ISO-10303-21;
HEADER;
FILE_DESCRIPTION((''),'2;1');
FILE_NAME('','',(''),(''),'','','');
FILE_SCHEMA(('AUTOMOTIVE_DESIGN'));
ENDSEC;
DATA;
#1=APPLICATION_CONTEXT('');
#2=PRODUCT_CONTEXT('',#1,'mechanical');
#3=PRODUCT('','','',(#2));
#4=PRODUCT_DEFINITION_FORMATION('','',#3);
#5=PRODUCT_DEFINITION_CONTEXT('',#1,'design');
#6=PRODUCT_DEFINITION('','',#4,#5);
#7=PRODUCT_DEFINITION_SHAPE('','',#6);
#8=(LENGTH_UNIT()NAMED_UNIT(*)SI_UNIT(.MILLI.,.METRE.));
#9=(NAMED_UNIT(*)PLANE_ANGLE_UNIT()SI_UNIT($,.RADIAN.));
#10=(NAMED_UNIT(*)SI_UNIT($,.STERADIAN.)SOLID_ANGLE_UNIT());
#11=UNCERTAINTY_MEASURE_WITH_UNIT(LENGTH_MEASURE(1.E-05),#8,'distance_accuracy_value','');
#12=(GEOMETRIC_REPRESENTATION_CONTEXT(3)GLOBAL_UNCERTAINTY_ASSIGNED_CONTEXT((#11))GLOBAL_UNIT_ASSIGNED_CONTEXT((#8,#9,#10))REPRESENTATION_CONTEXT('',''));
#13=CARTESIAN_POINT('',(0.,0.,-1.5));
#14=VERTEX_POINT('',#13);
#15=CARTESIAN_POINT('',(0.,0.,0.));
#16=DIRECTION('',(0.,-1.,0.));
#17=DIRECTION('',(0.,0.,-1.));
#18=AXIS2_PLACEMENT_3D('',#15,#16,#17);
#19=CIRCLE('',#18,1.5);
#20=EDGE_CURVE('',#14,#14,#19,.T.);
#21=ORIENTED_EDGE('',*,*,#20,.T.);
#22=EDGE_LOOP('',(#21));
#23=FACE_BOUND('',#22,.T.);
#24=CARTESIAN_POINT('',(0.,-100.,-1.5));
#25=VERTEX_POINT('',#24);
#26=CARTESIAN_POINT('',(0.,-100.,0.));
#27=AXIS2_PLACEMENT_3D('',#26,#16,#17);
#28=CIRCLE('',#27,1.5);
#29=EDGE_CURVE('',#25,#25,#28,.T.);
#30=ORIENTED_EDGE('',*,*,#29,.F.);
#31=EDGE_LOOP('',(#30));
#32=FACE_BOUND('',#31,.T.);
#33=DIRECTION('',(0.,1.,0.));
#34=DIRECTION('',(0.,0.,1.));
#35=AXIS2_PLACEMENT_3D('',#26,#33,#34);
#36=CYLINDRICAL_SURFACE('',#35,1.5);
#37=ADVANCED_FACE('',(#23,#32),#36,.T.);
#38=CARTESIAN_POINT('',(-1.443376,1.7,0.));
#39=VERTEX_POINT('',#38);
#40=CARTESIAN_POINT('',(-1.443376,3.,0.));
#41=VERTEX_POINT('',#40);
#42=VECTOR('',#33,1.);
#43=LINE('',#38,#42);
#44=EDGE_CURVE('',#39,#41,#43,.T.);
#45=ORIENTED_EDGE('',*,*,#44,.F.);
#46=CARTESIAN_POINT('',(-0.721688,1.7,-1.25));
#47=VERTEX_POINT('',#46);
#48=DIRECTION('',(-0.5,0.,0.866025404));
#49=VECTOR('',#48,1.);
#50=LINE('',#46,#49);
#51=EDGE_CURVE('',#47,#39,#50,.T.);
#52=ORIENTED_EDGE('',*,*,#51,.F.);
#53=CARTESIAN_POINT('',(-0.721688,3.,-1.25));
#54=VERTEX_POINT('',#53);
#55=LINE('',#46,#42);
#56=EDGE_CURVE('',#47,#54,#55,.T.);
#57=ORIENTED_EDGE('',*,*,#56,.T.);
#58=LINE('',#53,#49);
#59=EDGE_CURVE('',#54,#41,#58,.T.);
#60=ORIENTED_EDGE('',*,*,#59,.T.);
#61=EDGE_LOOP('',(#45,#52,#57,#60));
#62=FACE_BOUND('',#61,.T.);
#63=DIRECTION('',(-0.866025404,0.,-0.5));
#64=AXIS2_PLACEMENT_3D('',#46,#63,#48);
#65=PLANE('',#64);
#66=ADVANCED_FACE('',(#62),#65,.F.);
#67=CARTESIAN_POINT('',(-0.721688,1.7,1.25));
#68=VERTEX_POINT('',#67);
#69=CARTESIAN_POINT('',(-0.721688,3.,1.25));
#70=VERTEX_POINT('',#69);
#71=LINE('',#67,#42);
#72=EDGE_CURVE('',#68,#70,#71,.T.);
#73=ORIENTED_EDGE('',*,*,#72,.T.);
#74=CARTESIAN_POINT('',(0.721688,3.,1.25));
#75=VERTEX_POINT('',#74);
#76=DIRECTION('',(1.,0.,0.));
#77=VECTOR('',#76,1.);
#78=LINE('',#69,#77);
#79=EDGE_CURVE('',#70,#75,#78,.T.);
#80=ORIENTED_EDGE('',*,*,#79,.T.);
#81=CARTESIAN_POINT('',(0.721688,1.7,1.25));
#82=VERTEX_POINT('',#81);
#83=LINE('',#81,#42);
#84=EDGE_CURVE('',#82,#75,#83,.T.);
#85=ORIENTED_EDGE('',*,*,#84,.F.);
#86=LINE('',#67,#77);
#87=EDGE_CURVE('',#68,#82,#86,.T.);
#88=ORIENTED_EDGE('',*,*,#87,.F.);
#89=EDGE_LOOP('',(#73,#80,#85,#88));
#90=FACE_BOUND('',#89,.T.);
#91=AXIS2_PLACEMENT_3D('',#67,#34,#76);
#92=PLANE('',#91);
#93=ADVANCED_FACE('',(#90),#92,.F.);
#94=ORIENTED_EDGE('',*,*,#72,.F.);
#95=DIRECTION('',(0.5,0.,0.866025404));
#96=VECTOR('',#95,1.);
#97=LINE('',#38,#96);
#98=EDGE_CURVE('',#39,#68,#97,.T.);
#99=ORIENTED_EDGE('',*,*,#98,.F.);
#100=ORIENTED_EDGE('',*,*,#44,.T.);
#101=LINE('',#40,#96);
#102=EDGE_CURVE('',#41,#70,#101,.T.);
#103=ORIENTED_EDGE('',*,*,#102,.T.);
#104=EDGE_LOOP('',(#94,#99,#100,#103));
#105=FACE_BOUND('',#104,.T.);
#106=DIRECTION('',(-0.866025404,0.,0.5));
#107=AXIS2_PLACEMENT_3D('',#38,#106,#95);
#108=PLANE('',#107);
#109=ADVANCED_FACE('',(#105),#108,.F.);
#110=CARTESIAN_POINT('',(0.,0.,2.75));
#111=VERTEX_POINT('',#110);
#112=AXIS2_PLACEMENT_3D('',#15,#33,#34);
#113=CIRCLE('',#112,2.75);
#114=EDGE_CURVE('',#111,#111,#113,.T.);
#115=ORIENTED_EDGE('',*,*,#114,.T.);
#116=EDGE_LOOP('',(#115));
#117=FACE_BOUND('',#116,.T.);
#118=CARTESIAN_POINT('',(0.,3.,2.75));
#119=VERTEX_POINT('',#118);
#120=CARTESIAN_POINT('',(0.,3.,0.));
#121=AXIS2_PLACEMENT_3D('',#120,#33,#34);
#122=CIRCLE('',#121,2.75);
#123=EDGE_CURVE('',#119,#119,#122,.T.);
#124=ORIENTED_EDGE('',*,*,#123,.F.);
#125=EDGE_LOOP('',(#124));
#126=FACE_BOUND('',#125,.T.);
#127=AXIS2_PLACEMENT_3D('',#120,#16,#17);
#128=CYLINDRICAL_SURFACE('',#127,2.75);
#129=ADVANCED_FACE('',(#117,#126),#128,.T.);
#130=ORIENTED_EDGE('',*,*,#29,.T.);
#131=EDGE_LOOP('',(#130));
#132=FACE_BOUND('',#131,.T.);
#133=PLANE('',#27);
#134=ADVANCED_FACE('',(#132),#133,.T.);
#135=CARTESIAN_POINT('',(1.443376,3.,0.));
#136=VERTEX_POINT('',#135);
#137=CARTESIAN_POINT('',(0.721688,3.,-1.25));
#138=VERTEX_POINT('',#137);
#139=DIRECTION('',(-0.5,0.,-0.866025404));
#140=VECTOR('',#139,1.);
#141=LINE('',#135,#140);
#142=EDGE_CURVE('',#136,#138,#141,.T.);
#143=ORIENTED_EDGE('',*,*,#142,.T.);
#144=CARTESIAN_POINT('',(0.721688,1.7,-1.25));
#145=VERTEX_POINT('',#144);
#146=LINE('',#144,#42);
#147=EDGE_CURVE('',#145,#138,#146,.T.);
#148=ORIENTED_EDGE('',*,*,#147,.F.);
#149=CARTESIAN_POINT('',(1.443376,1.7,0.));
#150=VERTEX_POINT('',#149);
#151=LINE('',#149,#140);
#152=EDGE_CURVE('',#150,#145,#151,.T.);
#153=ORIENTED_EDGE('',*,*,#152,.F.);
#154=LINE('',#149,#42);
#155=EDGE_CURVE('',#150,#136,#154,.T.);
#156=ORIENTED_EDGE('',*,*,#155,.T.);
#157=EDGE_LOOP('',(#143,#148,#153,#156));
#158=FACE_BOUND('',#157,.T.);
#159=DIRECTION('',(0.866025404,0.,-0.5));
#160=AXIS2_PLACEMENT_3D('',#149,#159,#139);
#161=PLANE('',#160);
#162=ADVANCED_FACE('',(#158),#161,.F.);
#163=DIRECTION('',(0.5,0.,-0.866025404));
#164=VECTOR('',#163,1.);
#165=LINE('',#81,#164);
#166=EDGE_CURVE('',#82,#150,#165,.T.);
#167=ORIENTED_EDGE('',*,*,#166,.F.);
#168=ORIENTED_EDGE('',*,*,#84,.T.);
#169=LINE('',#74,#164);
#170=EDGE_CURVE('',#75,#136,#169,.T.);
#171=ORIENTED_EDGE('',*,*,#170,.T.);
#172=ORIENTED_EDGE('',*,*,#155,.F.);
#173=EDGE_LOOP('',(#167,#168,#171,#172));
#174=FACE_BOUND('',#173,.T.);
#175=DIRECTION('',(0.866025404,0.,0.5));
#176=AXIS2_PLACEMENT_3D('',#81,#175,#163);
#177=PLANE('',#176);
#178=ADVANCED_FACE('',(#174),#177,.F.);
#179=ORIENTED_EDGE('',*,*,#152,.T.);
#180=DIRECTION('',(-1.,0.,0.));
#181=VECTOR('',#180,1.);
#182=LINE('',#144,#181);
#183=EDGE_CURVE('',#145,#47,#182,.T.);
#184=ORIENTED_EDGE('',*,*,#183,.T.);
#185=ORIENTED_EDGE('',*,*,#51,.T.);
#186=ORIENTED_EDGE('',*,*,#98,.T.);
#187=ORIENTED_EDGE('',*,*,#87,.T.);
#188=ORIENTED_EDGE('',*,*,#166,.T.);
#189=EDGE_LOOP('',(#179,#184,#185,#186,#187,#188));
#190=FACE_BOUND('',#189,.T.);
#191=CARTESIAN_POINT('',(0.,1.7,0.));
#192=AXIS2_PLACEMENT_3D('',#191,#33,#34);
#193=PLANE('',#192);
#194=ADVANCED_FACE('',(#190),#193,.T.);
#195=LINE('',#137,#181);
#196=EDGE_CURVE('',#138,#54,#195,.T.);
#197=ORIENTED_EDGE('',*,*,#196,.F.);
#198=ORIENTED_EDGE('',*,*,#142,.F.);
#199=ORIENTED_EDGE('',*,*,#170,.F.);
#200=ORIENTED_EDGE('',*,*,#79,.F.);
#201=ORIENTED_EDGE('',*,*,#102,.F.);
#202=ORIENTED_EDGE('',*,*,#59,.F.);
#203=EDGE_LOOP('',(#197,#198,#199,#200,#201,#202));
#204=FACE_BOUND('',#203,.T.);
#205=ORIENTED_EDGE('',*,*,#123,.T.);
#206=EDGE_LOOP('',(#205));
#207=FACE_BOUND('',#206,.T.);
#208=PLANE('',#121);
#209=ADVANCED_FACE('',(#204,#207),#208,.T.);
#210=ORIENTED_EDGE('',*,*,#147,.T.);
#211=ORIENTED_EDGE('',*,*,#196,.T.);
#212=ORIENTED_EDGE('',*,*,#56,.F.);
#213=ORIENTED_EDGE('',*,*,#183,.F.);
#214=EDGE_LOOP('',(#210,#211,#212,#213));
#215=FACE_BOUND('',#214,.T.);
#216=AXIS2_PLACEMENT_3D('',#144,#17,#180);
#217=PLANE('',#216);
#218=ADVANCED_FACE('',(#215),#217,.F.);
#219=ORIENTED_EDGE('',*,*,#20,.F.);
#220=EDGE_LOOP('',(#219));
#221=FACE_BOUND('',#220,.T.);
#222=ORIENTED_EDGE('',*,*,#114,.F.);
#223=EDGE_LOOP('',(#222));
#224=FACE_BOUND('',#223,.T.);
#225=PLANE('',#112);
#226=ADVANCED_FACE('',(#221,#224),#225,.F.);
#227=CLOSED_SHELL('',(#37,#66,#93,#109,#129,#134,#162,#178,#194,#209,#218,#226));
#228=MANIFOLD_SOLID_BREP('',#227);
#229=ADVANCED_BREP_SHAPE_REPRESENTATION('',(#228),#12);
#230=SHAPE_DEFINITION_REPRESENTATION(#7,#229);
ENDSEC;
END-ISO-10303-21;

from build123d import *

# Parameters (mm, degrees)
SKETCH_1_R            = 2.75
EXTRUDE_248_DEPTH     = 3
CUT_EXTRUDE_378_DEPTH = 1.3
SKETCH_3_R            = 1.5
EXTRUDE_479_DEPTH     = 100


with BuildPart() as part:
    # 草图1 → Extrude 248 (new body)
    with BuildSketch(Plane(origin=(0, 0, 0), x_dir=(1, 0, 0), z_dir=(0, 1, 0))):
        Circle(SKETCH_1_R)
    extrude(amount=EXTRUDE_248_DEPTH)

    # 草图2 → Cut-Extrude 378 (cut)
    with BuildSketch(Plane(origin=(0, 3, 0), x_dir=(1, 0, 0), z_dir=(0, 1, 0))):
        Polygon((1.443375673, 0), (0.721687836, 1.25), (-0.721687836, 1.25), (-1.443375673, 0), (-0.721687836, -1.25), (0.721687836, -1.25), align=None)
    extrude(amount=-CUT_EXTRUDE_378_DEPTH, mode=Mode.SUBTRACT)

    # 草图3 → Extrude 479 (add)
    with BuildSketch(Plane.XZ):
        Circle(SKETCH_3_R)
    extrude(amount=EXTRUDE_479_DEPTH)


solid = part.part
